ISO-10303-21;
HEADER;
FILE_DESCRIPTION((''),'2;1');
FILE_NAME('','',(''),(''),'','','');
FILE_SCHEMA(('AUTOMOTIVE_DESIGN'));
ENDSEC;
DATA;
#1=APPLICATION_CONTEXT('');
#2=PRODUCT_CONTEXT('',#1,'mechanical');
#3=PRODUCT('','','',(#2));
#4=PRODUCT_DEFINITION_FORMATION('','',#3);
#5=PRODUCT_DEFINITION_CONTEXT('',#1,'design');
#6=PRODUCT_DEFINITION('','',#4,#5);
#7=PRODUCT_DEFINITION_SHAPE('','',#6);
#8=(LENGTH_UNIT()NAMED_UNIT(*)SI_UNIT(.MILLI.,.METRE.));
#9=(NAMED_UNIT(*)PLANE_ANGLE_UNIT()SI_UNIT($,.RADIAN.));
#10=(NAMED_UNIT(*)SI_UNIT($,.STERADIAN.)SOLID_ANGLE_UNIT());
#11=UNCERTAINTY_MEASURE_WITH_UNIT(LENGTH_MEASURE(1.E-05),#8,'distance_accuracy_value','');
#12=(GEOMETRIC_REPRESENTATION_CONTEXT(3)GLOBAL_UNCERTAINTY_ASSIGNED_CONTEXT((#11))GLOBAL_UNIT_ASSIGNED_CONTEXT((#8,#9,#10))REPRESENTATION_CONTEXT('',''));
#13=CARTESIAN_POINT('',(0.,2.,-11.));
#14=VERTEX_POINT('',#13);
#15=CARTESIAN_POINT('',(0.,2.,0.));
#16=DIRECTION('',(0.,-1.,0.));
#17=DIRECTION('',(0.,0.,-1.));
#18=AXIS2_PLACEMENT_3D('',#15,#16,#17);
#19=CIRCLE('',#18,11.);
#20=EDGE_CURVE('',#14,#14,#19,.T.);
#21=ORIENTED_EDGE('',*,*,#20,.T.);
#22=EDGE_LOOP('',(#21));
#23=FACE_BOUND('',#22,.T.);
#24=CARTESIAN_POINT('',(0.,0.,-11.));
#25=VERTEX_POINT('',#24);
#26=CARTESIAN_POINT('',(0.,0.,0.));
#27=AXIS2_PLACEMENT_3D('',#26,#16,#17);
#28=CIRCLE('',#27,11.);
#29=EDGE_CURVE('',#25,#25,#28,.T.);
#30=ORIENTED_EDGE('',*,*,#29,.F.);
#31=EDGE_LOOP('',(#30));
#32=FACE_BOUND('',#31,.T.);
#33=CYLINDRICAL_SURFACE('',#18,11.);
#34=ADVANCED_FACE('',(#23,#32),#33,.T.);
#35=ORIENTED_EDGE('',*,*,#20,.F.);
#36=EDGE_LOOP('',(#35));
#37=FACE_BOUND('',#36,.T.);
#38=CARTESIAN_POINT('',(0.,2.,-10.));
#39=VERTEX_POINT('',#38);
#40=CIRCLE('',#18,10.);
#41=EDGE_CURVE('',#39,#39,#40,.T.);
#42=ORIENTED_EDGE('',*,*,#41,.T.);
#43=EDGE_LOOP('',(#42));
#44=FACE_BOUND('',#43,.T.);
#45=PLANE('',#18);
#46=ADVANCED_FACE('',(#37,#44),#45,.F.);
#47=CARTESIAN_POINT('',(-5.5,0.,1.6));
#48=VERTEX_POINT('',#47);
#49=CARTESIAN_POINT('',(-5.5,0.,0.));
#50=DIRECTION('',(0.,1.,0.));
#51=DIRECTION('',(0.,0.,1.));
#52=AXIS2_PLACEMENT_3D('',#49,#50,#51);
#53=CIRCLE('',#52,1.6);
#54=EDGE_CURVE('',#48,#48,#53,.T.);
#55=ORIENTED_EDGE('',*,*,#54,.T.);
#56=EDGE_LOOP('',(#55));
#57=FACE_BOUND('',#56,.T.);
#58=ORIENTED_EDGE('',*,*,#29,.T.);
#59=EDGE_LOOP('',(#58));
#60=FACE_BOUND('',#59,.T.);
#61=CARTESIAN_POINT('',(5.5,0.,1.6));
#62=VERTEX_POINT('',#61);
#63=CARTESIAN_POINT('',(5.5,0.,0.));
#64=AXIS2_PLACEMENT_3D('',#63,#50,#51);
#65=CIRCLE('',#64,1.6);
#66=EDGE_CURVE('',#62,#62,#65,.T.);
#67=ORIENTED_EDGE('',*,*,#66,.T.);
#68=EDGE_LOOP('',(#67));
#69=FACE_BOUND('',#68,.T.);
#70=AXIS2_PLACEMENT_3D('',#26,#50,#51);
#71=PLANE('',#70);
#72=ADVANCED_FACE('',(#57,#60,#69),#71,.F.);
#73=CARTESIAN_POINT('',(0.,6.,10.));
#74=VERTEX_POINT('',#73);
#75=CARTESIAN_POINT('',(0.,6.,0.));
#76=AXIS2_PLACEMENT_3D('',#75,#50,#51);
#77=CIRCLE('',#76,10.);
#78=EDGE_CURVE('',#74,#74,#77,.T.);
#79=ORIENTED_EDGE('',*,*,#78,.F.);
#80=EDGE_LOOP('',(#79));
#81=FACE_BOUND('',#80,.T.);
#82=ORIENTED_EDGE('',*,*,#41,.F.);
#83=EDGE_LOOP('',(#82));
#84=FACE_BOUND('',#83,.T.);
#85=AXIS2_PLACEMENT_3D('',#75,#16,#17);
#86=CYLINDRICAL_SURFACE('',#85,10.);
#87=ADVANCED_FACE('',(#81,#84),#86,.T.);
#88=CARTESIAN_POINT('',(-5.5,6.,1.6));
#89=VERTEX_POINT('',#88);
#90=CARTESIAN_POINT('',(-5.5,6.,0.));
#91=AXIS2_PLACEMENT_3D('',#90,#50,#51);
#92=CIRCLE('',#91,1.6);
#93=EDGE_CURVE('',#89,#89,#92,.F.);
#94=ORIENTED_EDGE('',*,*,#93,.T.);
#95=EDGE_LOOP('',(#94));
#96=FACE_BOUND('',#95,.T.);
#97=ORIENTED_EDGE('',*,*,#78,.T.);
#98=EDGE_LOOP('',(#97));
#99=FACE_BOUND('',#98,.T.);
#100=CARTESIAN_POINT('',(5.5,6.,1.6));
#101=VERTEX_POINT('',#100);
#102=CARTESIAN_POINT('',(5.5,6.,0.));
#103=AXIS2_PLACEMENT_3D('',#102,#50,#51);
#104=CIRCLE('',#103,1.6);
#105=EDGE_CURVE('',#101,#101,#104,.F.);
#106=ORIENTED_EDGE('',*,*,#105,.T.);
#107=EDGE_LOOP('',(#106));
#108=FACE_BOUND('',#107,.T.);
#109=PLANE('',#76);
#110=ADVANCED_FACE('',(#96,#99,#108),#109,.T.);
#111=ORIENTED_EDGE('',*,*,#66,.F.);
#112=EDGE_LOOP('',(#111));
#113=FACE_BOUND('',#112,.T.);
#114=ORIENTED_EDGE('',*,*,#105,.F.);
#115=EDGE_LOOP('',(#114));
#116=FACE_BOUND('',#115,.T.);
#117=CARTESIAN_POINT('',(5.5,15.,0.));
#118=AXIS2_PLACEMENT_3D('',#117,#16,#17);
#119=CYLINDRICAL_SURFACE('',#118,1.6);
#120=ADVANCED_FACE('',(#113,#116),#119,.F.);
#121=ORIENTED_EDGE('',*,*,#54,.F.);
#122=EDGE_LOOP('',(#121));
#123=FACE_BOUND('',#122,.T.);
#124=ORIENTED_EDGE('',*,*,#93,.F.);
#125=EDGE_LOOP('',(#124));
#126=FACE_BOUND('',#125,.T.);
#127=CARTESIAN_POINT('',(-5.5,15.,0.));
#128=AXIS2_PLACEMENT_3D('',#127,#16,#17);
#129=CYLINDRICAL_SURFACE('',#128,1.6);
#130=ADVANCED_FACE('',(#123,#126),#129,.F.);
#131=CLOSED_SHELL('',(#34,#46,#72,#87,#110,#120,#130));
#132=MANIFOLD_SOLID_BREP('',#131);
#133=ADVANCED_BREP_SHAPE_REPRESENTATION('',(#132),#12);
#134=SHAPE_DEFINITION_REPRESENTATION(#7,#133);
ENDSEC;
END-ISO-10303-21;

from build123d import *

# Parameters (mm, degrees)
SKETCH1_R           = 10
BOSS_EXTRUDE1_DEPTH = 6
SKETCH4_R           = 11
BOSS_EXTRUDE2_DEPTH = 2
SKETCH3_R           = 1.6
CUT_EXTRUDE2_DEPTH  = 15


with BuildPart() as part:
    # Sketch1 → Boss-Extrude1 (new body)
    with BuildSketch(Plane(origin=(0, 0, 0), x_dir=(1, 0, 0), z_dir=(0, 1, 0))):
        with Locations(Location((0, 0, 0), (0, 0, 270))):
            Circle(SKETCH1_R)
    extrude(amount=BOSS_EXTRUDE1_DEPTH)

    # Sketch4 → Boss-Extrude2 (add)
    with BuildSketch(Plane.XZ):
        with Locations(Location((0, 0, 0), (0, 0, 270))):
            Circle(SKETCH4_R)
    extrude(amount=-BOSS_EXTRUDE2_DEPTH)

    # Sketch3 → Cut-Extrude2 (cut)
    with BuildSketch(Plane(origin=(0, 0, 0), x_dir=(1, 0, 0), z_dir=(0, 1, 0))):
        with Locations(Location((-5.5, 0, 0), (0, 0, 270))):
            Circle(SKETCH3_R)
        with Locations(Location((5.5, 0, 0), (0, 0, 270))):
            Circle(SKETCH3_R)
    extrude(amount=CUT_EXTRUDE2_DEPTH, mode=Mode.SUBTRACT)


solid = part.part
